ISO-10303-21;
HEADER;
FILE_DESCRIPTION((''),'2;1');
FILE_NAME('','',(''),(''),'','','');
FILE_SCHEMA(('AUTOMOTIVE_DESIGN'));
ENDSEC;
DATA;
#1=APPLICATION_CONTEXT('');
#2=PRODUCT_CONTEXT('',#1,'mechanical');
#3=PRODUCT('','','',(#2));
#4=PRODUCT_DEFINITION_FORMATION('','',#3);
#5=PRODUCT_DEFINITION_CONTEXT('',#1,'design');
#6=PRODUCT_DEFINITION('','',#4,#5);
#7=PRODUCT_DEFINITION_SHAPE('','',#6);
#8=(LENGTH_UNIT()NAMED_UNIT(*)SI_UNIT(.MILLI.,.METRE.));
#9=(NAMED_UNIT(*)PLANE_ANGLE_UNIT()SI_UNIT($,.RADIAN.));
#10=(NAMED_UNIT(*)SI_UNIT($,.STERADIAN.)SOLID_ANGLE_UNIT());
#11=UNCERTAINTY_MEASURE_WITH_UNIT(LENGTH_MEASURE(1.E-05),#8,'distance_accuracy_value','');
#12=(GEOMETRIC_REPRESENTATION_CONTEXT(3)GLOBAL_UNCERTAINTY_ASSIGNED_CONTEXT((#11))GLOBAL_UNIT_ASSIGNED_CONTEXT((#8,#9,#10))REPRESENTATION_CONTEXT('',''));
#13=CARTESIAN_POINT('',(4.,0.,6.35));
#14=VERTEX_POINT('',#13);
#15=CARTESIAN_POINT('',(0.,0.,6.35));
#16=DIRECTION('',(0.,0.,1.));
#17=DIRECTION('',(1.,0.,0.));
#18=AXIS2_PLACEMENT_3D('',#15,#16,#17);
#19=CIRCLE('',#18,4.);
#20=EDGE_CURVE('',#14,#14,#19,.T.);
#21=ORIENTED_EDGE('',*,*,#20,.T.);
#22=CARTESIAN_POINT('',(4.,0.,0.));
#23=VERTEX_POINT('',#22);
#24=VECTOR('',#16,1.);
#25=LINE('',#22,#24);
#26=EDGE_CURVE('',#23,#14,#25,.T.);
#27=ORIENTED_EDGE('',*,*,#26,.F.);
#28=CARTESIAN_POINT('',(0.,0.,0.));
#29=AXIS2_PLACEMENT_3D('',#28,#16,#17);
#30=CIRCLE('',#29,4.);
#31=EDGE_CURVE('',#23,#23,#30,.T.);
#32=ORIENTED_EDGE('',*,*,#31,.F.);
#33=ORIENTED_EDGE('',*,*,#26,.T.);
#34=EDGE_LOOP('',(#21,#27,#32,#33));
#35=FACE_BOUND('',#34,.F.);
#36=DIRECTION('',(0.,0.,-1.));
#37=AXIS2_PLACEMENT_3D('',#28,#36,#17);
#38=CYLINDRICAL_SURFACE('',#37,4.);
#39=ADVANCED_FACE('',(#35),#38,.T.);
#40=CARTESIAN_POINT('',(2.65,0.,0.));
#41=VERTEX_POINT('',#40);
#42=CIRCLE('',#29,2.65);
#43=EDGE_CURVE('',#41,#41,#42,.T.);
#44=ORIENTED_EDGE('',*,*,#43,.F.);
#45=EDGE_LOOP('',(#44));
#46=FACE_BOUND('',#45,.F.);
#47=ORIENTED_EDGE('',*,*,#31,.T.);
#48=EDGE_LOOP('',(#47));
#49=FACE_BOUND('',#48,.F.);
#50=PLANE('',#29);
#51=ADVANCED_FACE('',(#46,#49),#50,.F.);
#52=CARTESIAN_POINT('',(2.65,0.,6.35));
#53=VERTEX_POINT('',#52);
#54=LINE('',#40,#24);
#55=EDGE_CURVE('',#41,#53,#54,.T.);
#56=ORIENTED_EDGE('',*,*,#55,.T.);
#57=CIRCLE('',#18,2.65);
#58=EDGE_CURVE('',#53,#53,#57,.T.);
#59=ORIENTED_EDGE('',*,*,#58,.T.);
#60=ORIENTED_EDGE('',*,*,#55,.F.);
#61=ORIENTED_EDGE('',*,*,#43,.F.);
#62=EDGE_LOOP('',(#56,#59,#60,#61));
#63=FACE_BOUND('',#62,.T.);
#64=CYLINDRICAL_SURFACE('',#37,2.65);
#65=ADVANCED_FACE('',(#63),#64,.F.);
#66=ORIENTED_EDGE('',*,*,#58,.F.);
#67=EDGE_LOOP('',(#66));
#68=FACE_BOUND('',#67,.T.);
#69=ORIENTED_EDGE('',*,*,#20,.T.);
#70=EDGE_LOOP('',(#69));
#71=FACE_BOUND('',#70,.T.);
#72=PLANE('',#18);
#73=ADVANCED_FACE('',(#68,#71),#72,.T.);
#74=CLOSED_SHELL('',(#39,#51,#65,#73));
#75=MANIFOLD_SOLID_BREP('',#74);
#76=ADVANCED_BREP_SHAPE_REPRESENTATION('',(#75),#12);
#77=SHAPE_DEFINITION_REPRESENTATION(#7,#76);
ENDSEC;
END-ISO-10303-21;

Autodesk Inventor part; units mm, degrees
ref_plane "YZ Plane" through (0, 0, 0) normal (1, 0, 0) x (0, 1, 0)
ref_plane "XZ Plane" through (0, 0, 0) normal (0, 1, 0) x (-1, 0, 0)
ref_plane "XY Plane" through (0, 0, 0) normal (0, 0, 1) x (1, 0, 0)
sketch "Sketch1" plane through (0, 0, 0) normal (0, 0, 1) x (1, 0, 0)
  circle A0 centre (0, 0) radius 2.65
  circle A1 centre (0, 0) radius 4
  dimension "d0" = 8
  dimension "d2" = 5.3
extrude "Extrusion1" add sketch "Sketch1" along normal blind 6.35
properties part number "Carriage_Spacer-6mm" material "Aluminum"
